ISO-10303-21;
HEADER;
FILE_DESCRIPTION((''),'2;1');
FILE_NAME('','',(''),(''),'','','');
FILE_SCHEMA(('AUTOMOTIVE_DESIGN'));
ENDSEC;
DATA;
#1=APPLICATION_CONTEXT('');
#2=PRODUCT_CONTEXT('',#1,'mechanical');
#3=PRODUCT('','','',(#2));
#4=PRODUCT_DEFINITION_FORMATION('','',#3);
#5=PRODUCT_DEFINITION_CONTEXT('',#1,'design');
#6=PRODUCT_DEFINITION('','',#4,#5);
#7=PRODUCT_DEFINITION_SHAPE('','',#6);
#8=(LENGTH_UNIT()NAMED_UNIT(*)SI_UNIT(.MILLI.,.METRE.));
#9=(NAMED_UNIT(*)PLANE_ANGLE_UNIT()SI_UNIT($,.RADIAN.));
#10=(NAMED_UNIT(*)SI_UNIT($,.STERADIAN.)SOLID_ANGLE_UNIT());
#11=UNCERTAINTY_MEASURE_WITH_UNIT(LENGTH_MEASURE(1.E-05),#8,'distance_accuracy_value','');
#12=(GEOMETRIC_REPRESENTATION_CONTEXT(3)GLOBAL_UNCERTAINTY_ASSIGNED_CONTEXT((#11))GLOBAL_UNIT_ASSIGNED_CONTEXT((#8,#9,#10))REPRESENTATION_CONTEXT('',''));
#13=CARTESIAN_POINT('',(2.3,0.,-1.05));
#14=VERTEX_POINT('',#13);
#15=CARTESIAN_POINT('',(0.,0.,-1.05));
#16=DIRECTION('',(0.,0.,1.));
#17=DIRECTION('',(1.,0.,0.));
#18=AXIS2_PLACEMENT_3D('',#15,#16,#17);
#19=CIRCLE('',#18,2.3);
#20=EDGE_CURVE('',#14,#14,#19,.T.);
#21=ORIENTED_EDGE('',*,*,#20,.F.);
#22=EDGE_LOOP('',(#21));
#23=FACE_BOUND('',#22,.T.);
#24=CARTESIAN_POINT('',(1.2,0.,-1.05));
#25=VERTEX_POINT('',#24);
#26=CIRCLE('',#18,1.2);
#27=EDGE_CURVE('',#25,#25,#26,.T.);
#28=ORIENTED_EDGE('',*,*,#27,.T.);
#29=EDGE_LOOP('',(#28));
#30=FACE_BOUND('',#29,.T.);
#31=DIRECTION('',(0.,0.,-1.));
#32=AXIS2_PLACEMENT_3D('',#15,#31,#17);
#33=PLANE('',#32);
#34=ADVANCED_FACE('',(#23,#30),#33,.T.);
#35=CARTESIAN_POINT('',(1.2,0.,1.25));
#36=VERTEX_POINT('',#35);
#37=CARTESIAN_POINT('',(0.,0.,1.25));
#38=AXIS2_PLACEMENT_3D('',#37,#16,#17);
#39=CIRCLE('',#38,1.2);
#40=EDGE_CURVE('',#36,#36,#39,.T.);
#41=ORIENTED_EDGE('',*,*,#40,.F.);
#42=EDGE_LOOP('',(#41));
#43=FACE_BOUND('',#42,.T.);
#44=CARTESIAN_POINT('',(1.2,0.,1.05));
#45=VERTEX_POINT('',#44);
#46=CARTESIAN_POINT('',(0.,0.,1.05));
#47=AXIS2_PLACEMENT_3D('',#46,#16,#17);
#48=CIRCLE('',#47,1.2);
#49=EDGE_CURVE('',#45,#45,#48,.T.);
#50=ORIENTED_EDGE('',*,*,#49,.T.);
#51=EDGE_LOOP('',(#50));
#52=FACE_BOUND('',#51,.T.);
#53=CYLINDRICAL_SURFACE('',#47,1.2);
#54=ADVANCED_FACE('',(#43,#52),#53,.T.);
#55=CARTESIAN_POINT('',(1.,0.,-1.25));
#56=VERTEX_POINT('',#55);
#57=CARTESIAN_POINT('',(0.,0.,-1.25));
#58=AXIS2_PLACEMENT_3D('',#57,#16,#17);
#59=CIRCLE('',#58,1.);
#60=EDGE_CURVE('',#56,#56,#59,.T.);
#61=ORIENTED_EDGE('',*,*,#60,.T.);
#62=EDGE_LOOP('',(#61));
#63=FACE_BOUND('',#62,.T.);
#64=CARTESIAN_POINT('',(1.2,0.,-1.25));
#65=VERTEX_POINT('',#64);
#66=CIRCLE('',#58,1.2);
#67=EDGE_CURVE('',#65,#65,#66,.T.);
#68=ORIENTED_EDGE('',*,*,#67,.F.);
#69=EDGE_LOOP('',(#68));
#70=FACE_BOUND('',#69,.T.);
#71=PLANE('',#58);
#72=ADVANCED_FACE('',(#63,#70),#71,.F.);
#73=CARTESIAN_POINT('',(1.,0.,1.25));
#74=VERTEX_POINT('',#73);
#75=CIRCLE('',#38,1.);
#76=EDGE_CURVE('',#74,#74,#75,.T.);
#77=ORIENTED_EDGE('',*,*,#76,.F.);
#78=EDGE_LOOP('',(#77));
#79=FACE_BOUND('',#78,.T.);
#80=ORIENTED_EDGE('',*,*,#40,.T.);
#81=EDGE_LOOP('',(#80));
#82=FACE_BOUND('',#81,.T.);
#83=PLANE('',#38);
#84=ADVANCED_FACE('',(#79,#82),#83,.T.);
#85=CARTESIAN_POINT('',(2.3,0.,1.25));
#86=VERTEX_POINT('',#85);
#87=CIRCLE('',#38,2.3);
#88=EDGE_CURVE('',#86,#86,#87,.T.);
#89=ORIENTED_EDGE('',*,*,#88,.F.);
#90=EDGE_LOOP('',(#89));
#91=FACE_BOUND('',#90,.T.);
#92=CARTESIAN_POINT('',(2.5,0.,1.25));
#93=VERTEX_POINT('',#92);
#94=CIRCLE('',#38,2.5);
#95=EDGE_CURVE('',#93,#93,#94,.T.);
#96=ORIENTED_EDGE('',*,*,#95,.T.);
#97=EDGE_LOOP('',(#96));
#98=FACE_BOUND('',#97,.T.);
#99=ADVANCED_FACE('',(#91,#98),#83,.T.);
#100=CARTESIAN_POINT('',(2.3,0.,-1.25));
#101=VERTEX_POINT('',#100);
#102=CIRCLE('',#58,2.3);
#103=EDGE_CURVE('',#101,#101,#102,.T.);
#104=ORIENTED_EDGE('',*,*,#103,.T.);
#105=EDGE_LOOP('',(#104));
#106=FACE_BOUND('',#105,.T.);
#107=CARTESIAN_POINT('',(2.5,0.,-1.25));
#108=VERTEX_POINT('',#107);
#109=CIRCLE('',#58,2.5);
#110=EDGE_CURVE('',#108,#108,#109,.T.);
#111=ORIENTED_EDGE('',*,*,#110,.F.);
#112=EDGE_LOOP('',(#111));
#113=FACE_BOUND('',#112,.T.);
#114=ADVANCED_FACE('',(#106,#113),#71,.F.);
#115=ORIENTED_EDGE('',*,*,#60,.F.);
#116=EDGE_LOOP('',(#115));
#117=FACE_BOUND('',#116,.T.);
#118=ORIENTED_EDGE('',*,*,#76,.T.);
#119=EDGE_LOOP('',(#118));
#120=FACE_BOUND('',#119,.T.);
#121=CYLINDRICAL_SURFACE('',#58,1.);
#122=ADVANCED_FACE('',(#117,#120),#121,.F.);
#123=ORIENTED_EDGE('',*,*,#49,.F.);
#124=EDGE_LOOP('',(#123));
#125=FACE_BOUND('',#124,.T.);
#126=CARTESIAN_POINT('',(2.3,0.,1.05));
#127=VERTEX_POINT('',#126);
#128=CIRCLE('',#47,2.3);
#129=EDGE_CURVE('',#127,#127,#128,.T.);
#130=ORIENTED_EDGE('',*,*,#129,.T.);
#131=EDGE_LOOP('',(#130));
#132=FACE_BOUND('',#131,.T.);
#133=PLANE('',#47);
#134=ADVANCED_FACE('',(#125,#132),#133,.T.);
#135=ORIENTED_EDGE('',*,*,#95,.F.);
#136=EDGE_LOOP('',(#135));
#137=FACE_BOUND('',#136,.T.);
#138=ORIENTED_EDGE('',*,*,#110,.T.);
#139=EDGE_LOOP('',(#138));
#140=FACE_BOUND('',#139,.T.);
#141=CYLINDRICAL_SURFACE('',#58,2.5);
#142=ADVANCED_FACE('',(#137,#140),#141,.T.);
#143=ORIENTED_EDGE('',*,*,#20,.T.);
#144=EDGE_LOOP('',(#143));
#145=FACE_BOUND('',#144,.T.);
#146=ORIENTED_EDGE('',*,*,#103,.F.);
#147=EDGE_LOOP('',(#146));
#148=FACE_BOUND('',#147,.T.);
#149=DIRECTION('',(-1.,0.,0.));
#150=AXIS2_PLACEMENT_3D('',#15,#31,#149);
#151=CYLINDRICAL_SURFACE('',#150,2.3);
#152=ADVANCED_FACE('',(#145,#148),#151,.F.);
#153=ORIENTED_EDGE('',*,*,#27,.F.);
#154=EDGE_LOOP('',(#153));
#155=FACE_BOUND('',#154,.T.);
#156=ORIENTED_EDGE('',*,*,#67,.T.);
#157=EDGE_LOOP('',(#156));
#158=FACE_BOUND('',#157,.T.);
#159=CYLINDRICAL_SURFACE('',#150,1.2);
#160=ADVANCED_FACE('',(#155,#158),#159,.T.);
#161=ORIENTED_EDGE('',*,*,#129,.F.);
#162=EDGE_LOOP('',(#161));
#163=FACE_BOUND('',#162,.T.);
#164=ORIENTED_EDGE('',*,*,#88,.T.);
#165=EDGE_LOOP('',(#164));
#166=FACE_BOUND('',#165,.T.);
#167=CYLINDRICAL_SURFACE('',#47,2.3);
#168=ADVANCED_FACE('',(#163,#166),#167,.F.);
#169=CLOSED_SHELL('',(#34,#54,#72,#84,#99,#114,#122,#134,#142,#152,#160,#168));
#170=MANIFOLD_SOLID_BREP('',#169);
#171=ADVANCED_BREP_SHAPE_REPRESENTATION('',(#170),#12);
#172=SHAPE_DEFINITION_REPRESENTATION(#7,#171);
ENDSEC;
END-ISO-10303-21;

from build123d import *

# Parameters (mm, degrees)
EXTRUDE_1_DEPTH      = 1.25
EXTRUDE_1_DEPTH_BACK = 1.25
SKETCH_1_R           = 2.5
SKETCH_1_R_2         = 1
SKETCH_2_R           = 2.3
SKETCH_2_R_2         = 1.2
CUT_EXTRUDE_1_DEPTH  = 0.2


with BuildPart() as part:
    # 草图1 → 凸台-拉伸1 (new, two sides: drawn at the far end of the back side and taken through both)
    with BuildSketch(Plane.XY.offset(-EXTRUDE_1_DEPTH_BACK)):
        Circle(SKETCH_1_R)
        Circle(SKETCH_1_R_2, mode=Mode.SUBTRACT)
    extrude(amount=EXTRUDE_1_DEPTH + EXTRUDE_1_DEPTH_BACK)

    # 草图2 → 切除-拉伸1 (cut)
    with BuildSketch(Plane.XY.offset(1.25)):
        Circle(SKETCH_2_R)
        Circle(SKETCH_2_R_2, mode=Mode.SUBTRACT)
    cut_extrude_1 = extrude(amount=-CUT_EXTRUDE_1_DEPTH, mode=Mode.SUBTRACT)

    # 镜向1: 切除-拉伸1 across plane
    add(cut_extrude_1.mirror(Plane.XY), mode=Mode.SUBTRACT)


solid = part.part
